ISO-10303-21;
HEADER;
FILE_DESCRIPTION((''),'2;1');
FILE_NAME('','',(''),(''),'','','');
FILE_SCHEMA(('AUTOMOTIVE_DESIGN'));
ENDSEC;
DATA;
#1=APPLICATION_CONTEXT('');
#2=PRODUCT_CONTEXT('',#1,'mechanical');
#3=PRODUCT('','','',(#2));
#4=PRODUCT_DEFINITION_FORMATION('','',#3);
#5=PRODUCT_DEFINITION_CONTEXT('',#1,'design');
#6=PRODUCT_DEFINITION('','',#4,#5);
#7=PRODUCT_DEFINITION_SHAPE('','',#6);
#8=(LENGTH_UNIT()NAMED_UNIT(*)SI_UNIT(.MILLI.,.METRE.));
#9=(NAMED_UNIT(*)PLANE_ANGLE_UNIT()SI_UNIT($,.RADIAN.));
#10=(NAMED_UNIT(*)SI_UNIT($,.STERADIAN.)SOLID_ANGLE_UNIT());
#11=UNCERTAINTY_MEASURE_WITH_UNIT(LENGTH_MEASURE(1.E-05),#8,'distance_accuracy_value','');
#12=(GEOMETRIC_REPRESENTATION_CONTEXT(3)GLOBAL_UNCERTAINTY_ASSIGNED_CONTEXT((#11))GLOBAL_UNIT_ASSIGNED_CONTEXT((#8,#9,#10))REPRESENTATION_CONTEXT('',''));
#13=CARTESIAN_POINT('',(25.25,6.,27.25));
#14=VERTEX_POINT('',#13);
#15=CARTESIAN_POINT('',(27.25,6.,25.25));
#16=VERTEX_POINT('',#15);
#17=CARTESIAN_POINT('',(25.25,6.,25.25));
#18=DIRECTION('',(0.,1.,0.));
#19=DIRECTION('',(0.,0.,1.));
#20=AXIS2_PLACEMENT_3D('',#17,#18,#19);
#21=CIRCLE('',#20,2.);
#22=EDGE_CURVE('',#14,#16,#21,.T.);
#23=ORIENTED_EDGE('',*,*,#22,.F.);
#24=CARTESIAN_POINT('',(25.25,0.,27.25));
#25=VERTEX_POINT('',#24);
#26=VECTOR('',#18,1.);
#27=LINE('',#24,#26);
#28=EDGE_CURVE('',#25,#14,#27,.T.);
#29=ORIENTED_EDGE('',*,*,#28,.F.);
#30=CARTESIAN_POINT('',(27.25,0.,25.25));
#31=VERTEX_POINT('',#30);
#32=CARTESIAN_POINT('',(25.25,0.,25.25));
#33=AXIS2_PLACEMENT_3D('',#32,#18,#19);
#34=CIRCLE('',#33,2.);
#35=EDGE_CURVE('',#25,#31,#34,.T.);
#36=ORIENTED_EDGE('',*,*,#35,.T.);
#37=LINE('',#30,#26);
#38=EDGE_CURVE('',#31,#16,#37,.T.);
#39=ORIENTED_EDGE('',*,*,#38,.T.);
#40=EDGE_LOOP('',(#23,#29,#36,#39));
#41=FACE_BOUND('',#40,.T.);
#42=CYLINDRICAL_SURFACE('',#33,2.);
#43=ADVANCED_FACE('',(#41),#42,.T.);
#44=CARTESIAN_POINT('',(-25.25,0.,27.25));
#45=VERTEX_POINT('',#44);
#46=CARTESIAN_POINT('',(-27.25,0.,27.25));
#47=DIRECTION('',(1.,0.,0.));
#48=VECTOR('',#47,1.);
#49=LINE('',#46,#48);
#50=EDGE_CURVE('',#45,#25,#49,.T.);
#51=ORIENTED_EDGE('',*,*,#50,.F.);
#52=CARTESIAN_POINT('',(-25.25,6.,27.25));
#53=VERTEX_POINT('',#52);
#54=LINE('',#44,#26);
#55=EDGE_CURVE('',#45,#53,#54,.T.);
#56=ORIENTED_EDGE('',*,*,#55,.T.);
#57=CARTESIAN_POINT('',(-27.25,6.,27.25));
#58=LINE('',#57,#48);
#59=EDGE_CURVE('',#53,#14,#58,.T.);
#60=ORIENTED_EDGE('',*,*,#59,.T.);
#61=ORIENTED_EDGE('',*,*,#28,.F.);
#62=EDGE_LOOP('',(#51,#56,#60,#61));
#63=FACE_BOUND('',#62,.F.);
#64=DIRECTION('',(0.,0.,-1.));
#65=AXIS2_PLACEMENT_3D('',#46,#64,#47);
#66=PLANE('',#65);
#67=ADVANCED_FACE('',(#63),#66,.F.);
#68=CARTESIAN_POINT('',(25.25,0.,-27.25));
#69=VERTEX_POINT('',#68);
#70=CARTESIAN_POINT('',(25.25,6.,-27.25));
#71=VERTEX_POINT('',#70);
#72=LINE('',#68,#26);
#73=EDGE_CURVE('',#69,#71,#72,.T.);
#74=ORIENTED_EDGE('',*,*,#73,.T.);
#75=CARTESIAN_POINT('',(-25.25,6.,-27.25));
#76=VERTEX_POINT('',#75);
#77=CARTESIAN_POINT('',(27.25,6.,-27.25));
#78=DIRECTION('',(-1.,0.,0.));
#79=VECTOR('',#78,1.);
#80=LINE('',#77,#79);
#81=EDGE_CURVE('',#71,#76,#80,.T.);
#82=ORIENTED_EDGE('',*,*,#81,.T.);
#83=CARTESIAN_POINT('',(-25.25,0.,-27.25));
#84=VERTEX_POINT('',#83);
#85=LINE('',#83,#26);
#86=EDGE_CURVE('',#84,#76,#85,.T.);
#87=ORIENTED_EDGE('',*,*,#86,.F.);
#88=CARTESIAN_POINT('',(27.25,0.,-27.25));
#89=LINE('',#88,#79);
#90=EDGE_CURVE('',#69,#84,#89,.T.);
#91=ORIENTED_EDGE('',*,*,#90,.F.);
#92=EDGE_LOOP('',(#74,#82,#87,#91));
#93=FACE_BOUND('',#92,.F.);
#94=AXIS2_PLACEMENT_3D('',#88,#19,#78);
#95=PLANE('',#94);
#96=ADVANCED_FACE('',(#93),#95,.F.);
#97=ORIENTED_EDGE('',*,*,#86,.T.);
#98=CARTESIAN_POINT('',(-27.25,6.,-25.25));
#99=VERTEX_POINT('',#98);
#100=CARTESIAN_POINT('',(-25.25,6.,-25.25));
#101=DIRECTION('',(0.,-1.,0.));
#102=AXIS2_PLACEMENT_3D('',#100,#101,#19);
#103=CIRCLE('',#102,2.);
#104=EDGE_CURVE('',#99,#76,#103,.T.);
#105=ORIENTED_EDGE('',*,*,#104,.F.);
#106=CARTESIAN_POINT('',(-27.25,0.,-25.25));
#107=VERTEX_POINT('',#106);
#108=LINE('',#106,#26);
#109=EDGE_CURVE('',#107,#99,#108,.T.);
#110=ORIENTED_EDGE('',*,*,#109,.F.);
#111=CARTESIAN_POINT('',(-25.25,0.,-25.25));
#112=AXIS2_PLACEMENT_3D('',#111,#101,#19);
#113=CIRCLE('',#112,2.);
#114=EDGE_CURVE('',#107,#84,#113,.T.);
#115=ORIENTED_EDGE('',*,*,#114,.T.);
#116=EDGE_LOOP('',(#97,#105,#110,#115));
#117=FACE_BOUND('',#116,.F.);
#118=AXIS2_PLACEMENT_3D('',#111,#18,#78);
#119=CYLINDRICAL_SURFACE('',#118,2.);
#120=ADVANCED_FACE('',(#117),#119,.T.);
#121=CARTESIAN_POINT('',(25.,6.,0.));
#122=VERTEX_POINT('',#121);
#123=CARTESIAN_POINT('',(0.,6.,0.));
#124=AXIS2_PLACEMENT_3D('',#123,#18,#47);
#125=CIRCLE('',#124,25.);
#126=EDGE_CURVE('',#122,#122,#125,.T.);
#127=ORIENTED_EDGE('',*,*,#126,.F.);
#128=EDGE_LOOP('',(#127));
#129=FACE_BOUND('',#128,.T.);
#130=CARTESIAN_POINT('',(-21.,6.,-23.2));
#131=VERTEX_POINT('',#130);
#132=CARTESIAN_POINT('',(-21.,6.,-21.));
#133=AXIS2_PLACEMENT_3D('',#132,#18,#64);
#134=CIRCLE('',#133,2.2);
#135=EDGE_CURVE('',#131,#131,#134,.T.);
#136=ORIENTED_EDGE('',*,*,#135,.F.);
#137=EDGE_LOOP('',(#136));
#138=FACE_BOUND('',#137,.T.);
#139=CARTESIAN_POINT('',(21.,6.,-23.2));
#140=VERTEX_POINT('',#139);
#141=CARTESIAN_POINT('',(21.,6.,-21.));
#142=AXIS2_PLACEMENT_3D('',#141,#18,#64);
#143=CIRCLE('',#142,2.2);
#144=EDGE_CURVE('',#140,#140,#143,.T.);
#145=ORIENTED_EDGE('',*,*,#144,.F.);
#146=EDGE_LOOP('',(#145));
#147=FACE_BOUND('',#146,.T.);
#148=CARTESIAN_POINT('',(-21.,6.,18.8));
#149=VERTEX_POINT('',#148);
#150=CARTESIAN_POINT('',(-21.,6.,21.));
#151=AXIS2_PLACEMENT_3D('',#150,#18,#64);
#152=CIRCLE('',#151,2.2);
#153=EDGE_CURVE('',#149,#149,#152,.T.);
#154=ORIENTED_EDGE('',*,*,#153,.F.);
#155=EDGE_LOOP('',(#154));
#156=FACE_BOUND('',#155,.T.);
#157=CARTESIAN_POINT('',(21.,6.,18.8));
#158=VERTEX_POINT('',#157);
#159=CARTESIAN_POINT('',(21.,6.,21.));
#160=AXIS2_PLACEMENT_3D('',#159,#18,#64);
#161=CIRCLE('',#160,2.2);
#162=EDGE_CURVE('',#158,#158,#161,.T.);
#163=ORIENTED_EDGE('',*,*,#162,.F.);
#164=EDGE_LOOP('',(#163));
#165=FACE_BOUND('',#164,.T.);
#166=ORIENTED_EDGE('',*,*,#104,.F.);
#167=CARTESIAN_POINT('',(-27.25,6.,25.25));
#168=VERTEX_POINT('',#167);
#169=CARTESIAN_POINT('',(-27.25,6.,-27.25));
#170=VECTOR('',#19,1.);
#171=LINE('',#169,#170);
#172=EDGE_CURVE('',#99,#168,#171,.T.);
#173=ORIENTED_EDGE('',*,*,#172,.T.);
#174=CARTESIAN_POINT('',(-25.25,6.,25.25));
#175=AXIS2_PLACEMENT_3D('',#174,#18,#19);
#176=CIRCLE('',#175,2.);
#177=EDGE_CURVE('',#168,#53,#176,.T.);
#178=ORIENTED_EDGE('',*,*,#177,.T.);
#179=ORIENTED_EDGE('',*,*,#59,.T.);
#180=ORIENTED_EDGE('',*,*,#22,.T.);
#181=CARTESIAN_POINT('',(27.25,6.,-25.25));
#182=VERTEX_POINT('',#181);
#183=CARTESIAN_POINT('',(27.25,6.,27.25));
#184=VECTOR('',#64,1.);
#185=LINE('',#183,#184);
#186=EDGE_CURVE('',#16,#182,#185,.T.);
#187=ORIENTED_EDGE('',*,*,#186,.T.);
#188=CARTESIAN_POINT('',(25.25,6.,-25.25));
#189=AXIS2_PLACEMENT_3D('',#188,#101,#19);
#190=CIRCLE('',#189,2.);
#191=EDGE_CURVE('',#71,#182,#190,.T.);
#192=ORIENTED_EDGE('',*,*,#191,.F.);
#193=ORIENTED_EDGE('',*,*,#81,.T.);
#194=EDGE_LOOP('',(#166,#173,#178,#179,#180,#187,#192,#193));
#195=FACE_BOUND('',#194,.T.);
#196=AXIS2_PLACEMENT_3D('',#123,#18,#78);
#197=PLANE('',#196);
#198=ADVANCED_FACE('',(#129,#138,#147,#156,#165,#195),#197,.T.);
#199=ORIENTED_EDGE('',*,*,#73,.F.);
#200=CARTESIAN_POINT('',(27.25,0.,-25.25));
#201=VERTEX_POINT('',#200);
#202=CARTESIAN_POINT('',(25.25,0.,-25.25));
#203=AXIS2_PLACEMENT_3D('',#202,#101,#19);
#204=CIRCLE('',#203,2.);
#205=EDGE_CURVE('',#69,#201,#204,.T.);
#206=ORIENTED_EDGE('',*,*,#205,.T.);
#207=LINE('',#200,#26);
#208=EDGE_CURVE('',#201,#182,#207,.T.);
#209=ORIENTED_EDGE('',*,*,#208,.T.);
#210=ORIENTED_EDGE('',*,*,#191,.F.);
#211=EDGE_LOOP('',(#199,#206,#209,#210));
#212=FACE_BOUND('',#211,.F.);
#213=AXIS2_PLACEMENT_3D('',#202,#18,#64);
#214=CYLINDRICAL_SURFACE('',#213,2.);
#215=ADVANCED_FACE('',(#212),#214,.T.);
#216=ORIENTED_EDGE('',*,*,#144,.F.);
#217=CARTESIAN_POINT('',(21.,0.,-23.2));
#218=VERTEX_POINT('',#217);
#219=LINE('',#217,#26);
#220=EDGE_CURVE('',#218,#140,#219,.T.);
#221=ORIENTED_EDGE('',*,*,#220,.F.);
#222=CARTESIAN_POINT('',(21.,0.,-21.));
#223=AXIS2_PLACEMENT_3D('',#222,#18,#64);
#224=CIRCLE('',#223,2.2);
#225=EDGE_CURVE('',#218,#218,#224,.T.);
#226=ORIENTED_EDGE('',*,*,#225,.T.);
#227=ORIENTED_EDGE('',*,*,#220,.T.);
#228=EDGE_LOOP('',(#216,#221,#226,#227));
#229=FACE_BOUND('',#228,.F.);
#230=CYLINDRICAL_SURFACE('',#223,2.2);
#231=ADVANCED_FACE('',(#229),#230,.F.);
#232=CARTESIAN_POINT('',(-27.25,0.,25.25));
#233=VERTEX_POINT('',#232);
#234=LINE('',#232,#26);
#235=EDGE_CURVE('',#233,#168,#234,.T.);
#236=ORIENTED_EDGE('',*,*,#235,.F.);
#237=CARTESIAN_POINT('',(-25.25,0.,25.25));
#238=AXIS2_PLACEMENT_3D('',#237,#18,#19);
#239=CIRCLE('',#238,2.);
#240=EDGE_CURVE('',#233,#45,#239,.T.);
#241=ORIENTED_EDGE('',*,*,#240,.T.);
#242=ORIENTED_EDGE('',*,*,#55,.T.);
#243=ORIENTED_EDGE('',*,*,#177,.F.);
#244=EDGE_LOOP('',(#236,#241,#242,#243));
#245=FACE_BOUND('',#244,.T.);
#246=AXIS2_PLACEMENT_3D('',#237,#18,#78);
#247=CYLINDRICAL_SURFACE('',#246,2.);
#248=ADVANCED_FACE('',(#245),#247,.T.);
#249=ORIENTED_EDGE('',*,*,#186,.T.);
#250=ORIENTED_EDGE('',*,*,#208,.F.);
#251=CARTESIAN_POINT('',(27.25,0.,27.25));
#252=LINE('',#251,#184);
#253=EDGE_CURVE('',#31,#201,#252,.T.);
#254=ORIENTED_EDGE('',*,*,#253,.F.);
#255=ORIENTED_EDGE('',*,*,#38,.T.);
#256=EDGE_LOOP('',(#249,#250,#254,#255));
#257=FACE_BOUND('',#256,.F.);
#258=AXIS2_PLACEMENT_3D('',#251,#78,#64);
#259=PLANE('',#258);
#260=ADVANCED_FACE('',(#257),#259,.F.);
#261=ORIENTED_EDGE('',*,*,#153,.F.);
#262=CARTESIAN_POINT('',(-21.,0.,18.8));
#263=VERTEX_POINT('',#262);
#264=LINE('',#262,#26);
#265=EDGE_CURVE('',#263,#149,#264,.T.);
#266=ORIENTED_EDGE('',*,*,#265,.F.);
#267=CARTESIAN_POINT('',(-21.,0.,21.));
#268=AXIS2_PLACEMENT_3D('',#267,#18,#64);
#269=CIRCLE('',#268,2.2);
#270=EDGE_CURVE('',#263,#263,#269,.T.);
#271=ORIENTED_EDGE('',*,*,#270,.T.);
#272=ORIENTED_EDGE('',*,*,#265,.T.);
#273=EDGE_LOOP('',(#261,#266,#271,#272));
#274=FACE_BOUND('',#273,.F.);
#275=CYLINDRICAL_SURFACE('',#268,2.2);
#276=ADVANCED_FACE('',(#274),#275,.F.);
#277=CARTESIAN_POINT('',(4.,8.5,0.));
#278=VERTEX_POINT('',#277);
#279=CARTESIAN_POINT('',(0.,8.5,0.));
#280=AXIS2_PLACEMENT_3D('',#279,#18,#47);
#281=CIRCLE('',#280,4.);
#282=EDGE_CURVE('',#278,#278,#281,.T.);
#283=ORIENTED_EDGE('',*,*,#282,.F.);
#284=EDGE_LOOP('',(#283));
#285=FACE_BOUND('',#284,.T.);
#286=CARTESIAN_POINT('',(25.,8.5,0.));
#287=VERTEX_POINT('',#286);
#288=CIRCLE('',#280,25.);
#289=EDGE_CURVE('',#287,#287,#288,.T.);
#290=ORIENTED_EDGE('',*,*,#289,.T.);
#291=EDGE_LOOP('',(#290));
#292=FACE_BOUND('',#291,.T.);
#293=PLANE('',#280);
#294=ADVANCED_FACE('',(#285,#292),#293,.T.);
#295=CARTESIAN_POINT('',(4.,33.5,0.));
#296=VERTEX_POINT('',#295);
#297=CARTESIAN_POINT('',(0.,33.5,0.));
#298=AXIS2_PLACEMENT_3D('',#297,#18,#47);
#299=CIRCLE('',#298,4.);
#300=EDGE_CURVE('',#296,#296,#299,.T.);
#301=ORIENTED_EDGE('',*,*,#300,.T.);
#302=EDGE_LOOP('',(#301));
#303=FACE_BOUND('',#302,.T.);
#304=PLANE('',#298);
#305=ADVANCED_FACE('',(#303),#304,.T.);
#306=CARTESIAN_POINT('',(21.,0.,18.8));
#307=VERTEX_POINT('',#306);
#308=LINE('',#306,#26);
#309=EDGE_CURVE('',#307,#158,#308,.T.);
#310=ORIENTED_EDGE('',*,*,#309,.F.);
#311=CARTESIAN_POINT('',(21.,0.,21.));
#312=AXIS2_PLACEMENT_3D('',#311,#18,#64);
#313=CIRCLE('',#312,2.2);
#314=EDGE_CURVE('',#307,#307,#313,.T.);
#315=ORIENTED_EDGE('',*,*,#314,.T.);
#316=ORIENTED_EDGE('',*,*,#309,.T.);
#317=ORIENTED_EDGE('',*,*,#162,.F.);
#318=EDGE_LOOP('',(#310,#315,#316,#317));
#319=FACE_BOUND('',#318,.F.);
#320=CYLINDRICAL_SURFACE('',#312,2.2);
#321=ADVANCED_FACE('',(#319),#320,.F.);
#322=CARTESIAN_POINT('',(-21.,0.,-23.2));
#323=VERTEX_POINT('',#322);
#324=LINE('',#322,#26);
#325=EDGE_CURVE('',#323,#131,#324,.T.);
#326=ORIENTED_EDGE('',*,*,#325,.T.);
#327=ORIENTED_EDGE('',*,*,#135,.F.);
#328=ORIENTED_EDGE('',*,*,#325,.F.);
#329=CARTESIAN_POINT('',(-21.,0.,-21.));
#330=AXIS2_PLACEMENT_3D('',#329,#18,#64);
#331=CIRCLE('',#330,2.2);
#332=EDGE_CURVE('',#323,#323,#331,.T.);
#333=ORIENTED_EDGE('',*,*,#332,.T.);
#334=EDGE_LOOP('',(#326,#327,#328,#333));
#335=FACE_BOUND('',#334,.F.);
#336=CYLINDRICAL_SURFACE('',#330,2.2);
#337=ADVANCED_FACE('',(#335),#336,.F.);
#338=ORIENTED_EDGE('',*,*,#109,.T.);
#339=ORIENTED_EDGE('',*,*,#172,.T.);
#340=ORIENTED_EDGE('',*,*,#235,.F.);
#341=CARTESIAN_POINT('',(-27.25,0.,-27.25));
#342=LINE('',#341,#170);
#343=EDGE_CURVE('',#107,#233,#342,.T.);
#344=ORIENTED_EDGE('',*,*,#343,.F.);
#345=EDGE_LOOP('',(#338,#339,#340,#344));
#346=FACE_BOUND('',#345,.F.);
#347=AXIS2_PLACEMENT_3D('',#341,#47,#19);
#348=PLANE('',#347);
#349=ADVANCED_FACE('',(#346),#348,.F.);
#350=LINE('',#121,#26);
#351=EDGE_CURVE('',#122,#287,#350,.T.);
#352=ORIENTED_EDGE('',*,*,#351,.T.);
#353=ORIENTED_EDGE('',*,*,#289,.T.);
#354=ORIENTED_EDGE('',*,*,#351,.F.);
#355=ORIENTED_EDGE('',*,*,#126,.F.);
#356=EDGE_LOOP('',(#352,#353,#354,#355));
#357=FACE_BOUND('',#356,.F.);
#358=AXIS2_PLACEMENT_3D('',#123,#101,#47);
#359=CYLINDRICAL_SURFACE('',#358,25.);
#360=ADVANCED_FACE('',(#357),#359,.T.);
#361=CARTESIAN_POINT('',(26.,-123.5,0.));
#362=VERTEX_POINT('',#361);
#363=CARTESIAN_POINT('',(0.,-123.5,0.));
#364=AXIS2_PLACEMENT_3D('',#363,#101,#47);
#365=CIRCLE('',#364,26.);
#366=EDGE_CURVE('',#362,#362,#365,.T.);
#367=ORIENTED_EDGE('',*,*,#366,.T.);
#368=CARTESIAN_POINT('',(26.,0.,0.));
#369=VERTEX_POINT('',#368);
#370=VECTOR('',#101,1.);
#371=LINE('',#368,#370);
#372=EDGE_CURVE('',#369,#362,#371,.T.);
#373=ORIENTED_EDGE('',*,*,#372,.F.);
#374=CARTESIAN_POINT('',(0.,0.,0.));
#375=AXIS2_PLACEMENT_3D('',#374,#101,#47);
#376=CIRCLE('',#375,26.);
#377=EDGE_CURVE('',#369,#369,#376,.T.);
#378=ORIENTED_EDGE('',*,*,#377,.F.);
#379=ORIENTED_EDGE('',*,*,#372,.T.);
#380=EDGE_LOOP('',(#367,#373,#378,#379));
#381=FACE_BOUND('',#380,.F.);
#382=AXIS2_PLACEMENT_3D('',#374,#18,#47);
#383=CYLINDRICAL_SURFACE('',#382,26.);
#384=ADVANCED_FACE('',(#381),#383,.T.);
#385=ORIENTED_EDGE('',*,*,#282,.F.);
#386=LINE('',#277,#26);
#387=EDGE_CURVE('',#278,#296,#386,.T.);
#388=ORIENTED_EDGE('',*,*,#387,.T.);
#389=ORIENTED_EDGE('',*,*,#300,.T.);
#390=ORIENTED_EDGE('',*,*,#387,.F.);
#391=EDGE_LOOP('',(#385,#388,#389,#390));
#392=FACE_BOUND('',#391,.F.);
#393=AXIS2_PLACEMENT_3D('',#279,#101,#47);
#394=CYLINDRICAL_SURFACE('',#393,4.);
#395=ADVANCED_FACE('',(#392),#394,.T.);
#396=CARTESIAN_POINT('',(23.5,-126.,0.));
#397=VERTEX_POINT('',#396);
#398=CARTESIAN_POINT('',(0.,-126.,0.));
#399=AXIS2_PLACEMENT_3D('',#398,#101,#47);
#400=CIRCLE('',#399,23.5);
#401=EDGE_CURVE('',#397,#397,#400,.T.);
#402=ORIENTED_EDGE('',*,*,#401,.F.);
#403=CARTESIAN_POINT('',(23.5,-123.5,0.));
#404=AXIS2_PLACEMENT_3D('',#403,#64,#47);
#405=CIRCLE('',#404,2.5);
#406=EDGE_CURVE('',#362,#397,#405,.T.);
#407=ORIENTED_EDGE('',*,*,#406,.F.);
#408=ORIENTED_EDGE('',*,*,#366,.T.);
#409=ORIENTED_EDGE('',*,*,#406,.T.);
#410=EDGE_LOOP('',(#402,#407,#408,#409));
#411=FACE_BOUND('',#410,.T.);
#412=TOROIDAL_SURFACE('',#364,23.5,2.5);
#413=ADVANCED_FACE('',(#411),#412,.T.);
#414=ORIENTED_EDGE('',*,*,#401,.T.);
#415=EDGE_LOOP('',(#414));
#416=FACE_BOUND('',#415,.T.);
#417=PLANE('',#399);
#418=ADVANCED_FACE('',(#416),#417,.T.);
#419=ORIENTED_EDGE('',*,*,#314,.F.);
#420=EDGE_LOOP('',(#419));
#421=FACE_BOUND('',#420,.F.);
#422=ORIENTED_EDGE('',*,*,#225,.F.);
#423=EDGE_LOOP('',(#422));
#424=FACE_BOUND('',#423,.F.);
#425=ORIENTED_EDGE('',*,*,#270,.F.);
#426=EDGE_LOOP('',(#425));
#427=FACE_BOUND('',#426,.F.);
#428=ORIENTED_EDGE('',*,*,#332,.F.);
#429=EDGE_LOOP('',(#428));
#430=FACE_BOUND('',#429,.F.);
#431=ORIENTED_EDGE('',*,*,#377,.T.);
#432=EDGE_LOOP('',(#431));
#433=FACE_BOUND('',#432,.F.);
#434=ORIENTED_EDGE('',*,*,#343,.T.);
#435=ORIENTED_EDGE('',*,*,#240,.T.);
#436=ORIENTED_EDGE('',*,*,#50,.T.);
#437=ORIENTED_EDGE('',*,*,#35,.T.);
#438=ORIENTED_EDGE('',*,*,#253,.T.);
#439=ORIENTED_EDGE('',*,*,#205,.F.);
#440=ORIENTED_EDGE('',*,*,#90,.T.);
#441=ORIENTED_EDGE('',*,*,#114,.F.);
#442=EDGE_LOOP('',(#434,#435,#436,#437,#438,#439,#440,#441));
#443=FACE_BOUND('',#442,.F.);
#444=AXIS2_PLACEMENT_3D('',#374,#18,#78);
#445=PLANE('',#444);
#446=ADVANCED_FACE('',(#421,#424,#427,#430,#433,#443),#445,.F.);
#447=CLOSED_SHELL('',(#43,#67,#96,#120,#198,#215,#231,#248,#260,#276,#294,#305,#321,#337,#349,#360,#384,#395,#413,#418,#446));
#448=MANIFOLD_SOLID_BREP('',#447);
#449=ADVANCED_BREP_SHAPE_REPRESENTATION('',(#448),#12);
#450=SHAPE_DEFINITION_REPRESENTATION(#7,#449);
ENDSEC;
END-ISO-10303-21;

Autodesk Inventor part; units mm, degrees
ref_plane "YZ Plane" through (0, 0, 0) normal (1, 0, 0) x (0, 1, 0)
ref_plane "XZ Plane" through (0, 0, 0) normal (0, 1, 0) x (-1, 0, 0)
ref_plane "XY Plane" through (0, 0, 0) normal (0, 0, 1) x (1, 0, 0)
sketch "Sketch1" plane through (0, 0, 0) normal (0, 1, 0) x (-1, 0, 0)
  line L0 (27.25, 27.25) -> (-27.25, 27.25)
  line L1 (-27.25, 27.25) -> (-27.25, -27.25)
  line L2 (-27.25, -27.25) -> (27.25, -27.25)
  line L3 (27.25, -27.25) -> (27.25, 27.25)
  line L4 (27.25, 27.25) -> (-27.25, -27.25) construction
  line L5 (-27.25, 27.25) -> (27.25, -27.25) construction
  line L6 (21, 21) -> (-21, 21)
  line L7 (-21, 21) -> (-21, -21)
  line L8 (-21, -21) -> (21, -21)
  line L9 (21, -21) -> (21, 21)
  line L10 (21, 21) -> (-21, -21) construction
  line L11 (-21, 21) -> (21, -21) construction
  point P0 (0, 0)
  dimension "d0" = 54.5
  dimension "d1" = 54.5
  dimension "d2" = 42
  dimension "d3" = 42
extrude "Extrusion1" add sketch "Sketch1" along normal blind 6 contours L3 L2 L1 L0 | L9 L8 L7 L6
sketch "Sketch2" plane through (0, 6, 0) normal (0, 1, 0) x (1, 0, 0)
  circle A0 centre (0, 0) radius 25
  dimension "d7" = 50
extrude "Extrusion2" add sketch "Sketch2" along normal blind 2.5
sketch "Sketch3" plane through (0, 0, 0) normal (0, -1, 0) x (1, 0, 0)
  circle A0 centre (0, 0) radius 26
  dimension "d10" = 52
extrude "Extrusion3" add sketch "Sketch3" along normal blind 126
fillet "Fillet1" radius 2.5 1 edges at (-26, -126, 0)
fillet "Fillet2" radius 2 4 edges at (27.25, 3, -27.25) (-27.25, 3, -27.25) (-27.25, 3, 27.25) (27.25, 3, 27.25)
hole "Hole1" at (21, 0, -21) at (21, 0, 21) at (-21, 0, -21) at (-21, 0, 21) direction (0, 1, 0) diameter 4.4 end through all
sketch "Sketch4" plane through (0, 8.5, 0) normal (0, 1, 0) x (1, 0, 0)
  circle A0 centre (0, 0) radius 4
  dimension "d22" = 8
extrude "Extrusion4" add sketch "Sketch4" along normal blind 25
equation "\"d1\" = d0"
equation "\"d3\" = d2"
properties part number "Nanotec-DH038-Servo"
